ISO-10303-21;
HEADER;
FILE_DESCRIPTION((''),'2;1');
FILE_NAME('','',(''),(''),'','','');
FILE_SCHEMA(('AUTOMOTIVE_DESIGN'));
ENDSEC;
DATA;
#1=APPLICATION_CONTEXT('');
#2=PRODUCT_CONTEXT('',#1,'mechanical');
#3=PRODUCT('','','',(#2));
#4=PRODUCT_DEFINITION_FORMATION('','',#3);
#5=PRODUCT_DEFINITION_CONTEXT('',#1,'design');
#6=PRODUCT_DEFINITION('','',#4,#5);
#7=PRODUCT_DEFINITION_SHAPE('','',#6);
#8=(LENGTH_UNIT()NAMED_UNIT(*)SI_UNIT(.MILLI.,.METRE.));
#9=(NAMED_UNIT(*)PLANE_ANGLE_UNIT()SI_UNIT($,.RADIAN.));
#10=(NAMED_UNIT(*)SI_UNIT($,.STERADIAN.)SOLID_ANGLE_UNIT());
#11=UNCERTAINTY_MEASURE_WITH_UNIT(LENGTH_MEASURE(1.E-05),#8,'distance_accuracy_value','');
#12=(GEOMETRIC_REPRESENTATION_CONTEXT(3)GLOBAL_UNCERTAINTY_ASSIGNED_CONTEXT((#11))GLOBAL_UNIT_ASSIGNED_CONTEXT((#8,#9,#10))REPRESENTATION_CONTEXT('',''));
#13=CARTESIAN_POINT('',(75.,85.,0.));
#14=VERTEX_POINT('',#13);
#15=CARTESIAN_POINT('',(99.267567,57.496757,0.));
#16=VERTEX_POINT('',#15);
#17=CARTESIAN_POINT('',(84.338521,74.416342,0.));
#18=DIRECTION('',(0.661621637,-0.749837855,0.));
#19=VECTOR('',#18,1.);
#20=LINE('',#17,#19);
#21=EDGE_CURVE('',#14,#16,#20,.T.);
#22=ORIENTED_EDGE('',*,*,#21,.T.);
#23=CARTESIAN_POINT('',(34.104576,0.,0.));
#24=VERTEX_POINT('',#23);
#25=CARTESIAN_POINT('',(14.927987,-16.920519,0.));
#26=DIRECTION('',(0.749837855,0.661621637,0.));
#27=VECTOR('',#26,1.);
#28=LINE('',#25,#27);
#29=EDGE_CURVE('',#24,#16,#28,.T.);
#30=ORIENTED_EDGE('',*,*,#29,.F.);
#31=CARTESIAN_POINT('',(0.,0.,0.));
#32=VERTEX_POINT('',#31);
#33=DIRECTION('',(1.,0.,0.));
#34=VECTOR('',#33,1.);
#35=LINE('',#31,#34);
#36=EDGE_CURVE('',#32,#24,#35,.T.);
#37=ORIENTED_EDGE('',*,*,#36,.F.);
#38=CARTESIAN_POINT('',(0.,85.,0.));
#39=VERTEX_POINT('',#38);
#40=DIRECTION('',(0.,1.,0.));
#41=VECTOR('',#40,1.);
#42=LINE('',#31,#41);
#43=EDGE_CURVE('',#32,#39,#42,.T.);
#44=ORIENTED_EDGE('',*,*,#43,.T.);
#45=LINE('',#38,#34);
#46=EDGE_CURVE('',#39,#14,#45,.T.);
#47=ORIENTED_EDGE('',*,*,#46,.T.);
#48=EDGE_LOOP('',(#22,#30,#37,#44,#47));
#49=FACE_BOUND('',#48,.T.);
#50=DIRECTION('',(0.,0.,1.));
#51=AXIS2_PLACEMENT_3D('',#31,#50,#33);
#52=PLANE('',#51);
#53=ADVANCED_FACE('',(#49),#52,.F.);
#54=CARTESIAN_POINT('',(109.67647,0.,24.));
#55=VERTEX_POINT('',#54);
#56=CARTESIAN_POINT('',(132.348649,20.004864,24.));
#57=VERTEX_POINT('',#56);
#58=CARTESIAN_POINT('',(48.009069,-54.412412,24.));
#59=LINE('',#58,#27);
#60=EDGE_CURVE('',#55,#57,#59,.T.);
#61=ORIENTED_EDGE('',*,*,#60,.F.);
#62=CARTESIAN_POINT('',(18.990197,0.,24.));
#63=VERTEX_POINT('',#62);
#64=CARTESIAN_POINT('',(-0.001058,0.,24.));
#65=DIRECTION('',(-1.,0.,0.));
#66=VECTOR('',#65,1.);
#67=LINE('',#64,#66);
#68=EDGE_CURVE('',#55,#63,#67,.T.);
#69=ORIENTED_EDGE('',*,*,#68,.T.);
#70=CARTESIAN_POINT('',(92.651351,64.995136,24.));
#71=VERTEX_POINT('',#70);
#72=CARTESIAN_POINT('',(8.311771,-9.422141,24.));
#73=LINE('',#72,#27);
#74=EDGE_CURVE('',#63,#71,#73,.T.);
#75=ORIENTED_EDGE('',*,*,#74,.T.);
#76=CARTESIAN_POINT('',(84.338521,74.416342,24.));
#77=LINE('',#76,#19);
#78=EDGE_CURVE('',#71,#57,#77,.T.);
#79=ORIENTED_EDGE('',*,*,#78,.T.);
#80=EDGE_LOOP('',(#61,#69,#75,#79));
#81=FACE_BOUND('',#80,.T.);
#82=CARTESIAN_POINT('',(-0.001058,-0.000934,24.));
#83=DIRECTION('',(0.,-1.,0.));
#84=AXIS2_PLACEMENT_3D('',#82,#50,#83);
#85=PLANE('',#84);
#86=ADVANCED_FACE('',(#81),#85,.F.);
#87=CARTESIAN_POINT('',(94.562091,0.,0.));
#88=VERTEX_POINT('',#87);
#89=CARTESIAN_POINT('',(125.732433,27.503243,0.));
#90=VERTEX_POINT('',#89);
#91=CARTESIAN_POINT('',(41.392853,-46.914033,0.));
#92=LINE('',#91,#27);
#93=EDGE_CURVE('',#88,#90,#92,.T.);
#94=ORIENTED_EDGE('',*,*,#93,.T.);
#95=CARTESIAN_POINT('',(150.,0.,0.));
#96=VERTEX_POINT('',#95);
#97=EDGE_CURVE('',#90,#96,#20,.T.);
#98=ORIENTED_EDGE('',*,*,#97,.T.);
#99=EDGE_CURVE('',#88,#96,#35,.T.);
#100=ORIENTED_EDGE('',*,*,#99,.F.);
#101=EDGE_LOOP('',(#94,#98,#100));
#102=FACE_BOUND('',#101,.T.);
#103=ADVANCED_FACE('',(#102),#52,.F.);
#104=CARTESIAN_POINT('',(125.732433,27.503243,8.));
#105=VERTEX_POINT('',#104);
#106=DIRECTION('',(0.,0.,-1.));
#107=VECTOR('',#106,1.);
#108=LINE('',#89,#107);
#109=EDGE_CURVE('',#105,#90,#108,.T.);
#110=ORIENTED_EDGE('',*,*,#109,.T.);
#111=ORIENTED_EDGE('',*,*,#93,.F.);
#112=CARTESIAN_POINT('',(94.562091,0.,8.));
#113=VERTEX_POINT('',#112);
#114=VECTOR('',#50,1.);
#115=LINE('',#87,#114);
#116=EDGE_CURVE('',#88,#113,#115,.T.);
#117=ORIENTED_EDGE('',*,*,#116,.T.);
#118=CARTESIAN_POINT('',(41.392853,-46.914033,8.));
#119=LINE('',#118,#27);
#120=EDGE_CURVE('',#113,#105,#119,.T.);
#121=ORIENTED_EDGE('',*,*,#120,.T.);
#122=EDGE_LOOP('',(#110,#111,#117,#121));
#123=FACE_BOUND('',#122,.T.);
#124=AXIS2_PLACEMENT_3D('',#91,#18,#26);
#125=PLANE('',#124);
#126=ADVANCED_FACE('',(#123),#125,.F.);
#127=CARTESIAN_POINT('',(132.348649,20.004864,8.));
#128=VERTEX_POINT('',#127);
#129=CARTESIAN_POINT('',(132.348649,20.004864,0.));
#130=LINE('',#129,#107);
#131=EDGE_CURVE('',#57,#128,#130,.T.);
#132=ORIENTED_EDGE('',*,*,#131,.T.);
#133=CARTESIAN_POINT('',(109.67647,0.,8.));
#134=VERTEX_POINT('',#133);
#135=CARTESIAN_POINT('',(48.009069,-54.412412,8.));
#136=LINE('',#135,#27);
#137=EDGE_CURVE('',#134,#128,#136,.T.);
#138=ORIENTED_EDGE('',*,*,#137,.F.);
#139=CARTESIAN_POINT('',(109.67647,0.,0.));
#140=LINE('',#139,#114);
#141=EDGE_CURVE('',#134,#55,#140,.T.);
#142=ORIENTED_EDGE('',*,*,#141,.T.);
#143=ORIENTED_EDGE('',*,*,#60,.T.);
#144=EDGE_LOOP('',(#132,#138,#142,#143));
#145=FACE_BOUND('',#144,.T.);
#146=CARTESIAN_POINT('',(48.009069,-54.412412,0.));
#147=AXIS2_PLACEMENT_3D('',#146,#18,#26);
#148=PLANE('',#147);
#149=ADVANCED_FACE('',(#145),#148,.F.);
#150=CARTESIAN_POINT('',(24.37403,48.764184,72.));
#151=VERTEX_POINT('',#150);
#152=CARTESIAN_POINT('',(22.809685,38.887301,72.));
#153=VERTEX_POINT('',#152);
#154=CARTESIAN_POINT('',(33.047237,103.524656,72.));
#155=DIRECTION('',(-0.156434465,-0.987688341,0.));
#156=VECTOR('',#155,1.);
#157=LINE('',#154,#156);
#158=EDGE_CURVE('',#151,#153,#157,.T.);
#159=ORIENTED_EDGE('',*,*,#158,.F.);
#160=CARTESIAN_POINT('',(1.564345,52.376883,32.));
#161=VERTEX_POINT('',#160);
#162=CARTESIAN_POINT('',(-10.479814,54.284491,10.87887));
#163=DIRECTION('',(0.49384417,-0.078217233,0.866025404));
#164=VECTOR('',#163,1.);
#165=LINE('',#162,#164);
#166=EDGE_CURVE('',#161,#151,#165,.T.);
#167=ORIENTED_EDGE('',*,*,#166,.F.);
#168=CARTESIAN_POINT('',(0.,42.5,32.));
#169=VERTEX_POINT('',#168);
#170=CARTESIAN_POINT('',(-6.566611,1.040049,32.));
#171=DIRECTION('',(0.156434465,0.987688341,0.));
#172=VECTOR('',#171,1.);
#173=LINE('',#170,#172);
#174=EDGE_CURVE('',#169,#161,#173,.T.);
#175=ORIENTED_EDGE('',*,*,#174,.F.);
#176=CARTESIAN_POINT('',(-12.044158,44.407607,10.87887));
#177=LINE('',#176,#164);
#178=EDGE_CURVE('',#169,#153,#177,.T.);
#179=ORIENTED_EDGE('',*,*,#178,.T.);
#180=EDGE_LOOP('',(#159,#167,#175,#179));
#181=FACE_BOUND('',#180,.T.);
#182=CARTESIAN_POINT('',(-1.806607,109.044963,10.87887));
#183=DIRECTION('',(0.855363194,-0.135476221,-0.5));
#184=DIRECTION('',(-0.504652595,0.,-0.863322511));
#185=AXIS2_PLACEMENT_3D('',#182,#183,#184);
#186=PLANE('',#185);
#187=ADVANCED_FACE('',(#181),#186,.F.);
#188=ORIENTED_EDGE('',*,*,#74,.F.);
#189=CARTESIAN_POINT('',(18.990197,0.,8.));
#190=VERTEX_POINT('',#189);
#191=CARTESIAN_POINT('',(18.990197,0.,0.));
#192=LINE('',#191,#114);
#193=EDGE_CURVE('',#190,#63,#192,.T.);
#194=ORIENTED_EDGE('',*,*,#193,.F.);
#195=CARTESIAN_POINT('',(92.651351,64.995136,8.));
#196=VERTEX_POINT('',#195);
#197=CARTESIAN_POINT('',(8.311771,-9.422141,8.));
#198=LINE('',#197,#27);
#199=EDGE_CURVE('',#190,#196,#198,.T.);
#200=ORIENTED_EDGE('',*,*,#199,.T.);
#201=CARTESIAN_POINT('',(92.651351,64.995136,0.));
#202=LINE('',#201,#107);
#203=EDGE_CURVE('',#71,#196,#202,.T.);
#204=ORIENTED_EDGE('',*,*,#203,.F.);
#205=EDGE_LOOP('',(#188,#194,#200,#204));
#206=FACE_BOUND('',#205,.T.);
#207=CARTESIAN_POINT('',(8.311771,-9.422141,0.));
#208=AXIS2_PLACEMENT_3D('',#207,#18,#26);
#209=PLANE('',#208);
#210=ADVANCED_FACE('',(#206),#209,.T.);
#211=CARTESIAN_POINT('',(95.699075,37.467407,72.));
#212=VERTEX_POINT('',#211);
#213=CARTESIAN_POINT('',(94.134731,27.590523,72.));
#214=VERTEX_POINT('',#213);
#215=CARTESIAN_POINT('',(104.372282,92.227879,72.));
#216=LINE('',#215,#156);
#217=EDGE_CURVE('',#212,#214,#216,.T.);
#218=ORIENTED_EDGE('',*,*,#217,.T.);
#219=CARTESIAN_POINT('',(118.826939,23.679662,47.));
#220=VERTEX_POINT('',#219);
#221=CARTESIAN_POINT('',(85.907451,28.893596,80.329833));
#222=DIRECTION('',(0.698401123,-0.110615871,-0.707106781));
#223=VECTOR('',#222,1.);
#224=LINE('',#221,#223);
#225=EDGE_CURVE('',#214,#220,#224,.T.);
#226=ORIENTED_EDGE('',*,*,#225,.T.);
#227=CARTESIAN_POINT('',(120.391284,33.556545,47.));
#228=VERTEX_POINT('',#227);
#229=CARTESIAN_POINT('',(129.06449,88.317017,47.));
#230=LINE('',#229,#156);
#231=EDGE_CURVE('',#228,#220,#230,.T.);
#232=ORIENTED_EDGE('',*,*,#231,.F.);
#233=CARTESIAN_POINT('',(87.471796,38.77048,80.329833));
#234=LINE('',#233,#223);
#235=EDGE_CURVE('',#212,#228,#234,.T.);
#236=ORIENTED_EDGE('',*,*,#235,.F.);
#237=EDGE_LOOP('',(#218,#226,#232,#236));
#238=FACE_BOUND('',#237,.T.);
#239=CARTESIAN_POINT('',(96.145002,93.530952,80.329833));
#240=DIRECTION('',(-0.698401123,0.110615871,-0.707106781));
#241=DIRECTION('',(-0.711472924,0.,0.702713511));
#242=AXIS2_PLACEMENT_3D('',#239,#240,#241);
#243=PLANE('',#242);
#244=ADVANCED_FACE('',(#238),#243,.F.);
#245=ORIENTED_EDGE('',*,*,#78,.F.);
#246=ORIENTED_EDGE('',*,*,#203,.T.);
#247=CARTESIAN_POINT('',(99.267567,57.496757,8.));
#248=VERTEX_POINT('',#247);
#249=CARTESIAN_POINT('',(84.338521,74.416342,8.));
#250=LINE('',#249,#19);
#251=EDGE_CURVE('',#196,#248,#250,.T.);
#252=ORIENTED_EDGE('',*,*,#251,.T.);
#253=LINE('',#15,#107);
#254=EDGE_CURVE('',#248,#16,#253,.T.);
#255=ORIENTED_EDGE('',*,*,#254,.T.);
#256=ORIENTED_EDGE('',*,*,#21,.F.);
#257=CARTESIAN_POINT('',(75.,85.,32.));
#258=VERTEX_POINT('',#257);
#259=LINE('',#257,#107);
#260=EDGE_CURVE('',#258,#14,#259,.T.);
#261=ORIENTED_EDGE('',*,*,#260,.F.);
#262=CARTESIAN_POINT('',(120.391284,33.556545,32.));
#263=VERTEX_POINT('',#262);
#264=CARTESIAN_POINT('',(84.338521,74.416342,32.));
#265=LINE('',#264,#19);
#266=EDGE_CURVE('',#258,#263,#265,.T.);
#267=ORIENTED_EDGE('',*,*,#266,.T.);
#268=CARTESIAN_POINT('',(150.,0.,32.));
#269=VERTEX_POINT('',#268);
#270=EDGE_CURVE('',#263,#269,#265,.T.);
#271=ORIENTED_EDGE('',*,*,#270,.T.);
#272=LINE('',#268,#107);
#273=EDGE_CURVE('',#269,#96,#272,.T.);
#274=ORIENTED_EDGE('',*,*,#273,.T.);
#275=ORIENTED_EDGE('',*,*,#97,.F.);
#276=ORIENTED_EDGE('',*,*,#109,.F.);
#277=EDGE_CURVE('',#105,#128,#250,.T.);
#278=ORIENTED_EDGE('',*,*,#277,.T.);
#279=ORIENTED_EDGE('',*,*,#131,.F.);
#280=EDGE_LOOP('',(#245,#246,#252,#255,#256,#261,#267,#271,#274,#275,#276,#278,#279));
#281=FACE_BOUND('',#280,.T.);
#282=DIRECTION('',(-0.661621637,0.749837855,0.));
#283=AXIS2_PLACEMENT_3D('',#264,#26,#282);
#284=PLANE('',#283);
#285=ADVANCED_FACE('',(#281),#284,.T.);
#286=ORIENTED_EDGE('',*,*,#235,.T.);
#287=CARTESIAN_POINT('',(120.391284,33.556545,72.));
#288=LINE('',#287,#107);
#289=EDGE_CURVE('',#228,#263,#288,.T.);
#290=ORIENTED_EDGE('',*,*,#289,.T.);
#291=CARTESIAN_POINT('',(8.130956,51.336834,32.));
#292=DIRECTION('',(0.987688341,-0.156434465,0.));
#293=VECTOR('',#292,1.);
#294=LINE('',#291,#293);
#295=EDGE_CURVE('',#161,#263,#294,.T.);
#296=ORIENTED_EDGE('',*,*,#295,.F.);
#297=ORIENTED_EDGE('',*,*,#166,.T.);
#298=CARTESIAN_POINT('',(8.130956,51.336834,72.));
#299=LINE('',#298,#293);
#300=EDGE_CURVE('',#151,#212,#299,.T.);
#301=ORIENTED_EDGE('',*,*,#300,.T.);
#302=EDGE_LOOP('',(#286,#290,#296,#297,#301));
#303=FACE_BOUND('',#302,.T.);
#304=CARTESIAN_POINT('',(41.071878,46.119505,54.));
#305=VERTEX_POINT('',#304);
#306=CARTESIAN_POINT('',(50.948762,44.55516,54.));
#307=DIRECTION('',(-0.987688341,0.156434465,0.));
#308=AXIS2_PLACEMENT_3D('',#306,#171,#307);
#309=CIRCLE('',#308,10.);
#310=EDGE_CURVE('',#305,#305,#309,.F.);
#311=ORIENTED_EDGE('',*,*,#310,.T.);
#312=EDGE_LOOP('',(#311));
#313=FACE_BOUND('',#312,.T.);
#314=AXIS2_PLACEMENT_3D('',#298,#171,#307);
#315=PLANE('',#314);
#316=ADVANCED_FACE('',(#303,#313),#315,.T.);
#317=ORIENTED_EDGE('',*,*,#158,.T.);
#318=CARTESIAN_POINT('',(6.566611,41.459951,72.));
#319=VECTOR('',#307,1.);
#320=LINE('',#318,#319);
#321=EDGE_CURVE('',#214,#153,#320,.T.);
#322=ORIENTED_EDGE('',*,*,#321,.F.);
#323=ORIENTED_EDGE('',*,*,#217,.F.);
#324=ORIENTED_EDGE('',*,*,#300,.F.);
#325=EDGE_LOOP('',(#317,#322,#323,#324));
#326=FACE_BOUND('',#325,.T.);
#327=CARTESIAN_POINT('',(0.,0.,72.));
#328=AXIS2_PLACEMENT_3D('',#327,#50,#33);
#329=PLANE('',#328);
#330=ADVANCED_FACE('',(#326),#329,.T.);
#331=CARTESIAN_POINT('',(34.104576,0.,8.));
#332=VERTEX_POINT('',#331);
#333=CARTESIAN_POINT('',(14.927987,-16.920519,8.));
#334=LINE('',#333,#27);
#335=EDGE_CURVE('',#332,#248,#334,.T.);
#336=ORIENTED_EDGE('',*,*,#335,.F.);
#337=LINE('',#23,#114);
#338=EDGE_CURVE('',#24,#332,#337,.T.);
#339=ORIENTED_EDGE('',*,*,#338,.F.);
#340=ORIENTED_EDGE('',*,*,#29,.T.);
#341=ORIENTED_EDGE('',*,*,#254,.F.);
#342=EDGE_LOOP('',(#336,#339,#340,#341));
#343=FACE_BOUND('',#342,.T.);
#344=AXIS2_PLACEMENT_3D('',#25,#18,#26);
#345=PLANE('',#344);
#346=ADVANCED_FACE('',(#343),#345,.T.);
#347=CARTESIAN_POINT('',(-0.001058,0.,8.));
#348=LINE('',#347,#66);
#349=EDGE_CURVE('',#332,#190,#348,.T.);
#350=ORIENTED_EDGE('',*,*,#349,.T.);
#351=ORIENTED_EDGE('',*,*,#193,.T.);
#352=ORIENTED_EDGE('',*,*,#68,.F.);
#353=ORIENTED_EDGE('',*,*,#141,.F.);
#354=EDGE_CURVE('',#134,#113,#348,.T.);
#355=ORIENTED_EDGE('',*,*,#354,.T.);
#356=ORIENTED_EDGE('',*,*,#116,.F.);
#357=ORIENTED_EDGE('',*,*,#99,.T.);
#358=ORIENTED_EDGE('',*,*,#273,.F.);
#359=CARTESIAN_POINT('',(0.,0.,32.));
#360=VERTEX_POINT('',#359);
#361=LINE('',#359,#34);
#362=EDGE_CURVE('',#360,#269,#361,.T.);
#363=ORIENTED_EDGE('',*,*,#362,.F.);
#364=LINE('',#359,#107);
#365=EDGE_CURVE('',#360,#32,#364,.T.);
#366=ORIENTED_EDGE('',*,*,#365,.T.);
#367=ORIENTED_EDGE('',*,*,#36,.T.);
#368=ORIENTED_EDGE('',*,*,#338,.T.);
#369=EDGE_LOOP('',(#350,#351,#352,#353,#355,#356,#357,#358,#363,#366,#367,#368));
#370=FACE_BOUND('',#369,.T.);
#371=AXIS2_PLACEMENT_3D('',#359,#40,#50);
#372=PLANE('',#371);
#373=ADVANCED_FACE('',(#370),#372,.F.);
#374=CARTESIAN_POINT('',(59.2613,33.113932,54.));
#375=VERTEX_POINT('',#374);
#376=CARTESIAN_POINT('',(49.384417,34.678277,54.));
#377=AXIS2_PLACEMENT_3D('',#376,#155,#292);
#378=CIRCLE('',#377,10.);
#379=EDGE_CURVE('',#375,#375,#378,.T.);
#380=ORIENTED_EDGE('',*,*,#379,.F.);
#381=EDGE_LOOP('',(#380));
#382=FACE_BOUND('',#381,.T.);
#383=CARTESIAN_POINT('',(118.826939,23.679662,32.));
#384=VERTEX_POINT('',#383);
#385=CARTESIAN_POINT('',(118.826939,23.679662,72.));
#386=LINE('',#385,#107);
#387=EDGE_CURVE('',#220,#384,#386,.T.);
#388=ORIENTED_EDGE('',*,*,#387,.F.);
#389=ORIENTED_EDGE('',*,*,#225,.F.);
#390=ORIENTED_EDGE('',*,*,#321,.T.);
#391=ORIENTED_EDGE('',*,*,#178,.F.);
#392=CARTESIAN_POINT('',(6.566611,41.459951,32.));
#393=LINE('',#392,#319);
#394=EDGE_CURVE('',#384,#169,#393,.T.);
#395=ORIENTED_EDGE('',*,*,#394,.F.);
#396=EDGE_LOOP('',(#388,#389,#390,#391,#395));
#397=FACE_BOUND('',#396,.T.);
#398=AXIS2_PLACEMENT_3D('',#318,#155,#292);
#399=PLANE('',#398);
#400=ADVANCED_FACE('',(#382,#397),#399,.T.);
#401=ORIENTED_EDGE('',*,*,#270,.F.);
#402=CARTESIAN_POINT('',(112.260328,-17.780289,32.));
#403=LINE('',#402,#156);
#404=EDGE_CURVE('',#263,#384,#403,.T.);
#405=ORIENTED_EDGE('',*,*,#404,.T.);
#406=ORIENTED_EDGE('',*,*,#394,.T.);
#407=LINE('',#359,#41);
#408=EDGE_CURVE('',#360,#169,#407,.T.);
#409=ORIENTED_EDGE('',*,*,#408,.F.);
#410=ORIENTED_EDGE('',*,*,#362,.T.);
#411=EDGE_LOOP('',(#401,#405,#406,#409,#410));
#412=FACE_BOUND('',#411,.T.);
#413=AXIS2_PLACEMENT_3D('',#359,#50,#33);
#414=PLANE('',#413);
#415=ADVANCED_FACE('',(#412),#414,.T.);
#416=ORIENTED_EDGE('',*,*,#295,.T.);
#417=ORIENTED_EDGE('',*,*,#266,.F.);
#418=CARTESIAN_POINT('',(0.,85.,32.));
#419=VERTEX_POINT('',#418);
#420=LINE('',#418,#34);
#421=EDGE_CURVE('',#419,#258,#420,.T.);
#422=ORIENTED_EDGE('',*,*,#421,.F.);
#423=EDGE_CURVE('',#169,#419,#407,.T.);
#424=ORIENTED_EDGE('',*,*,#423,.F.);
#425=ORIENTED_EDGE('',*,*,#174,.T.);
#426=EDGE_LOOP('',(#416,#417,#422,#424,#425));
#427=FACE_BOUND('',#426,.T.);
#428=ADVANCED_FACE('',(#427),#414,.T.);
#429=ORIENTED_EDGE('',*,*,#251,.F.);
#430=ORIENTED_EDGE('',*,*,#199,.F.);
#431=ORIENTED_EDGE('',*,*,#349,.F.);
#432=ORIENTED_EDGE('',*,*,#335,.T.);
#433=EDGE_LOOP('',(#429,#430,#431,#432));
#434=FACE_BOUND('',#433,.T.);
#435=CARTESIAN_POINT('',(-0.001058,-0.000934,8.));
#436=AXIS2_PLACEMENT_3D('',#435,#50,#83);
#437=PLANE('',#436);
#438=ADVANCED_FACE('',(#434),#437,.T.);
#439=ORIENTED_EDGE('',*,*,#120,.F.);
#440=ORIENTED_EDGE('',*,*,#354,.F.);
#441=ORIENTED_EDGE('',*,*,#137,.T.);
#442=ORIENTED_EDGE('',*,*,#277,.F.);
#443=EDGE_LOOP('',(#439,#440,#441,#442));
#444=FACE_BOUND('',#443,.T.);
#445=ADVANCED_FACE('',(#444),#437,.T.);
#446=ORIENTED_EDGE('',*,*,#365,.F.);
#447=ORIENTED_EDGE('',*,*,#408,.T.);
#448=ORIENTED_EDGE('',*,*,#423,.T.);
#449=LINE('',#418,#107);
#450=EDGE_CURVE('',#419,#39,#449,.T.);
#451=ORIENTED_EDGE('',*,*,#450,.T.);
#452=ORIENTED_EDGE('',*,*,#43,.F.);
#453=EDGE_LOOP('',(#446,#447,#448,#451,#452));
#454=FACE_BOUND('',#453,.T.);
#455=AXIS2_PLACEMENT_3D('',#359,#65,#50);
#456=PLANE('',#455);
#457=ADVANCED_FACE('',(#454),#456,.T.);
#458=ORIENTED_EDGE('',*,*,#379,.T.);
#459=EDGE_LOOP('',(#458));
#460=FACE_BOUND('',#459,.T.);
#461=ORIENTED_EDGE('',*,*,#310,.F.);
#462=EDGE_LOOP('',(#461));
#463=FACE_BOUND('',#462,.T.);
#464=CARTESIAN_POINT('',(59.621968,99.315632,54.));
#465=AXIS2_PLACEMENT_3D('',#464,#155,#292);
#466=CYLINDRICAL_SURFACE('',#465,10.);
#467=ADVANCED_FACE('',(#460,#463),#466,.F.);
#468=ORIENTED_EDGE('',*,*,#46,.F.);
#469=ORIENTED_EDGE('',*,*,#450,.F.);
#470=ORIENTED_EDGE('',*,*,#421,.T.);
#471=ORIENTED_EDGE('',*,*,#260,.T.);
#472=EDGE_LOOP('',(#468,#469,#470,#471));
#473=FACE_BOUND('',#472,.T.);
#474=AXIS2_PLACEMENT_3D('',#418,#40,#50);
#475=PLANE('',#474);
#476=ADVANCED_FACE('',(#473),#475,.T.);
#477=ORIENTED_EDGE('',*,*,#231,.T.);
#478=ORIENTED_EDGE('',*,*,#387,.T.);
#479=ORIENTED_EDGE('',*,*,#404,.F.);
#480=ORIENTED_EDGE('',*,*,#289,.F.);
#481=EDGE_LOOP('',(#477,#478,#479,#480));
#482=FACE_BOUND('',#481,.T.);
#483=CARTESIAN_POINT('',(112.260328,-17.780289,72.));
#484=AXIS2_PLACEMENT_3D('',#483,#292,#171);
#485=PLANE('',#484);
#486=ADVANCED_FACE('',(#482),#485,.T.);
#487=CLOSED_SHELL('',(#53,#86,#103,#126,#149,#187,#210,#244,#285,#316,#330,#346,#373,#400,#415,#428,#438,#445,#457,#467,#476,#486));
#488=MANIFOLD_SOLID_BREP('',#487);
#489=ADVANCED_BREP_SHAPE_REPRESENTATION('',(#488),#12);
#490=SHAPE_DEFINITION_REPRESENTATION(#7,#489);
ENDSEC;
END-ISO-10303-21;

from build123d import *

# Parameters (mm, degrees)
BOSS_EXTRUDE1_DEPTH   = 32
BOSS_EXTRUDE1_2_DEPTH = 32
BOSS_EXTRUDE2_DEPTH   = 72
CUT_EXTRUDE1_REACH    = 135.547
CUT_EXTRUDE2_REACH    = 168.292
SKETCH3_R             = 10


with BuildPart() as part:
    # Sketch1 → Boss-Extrude1 (new body)
    with BuildSketch(Plane.XY):
        Polygon((0, 42.5), (1.56434465, 52.376883406), (120.39128367, 33.556545174), (75, 85), (0, 85), align=None)
    extrude(amount=BOSS_EXTRUDE1_DEPTH)



with BuildPart() as body_2:
    # Sketch1 → Boss-Extrude1 2 (new body)
    with BuildSketch(Plane.XY):
        Polygon((150, 0), (120.39128367, 33.556545174), (118.82693902, 23.679661768), (0, 42.5), (0, 0), align=None)
    extrude(amount=BOSS_EXTRUDE1_2_DEPTH)


with BuildPart() as part_1:
    add(part.part)

    add(body_2.part)  # Boss-Extrude2 merges body 2
    # Sketch1<4> → Boss-Extrude2 (add)
    with BuildSketch(Plane.XY):
        Polygon((0, 42.5), (1.56434465, 52.376883406), (120.39128367, 33.556545174), (118.82693902, 23.679661768), align=None)
    extrude(amount=BOSS_EXTRUDE2_DEPTH)

    # Cut-Extrude1: up to this plane
    cut_extrude1_end = Plane(origin=(0, 0, 32), z_dir=(0, 1, 0))
    # Sketch2 → Cut-Extrude1 (cut, up to the surface)
    with BuildSketch(Plane(origin=(84.338521401, 74.416342412, 0), x_dir=(0, 0, -1), z_dir=(0.7498378553650925, 0.6616216370868464, 0)), mode=Mode.PRIVATE) as cut_extrude1_sk1:
        Polygon((0, -22.564325319), (-8, -22.564325319), (-8, -12.564325319), (-24, -12.564325319), (-24, -72.564325319), (-8, -72.564325319), (-8, -62.564325319), (0, -62.564325319), align=None)
    cut_extrude1_tool1 = split(extrude(cut_extrude1_sk1.sketch, amount=-CUT_EXTRUDE1_REACH, mode=Mode.PRIVATE), bisect_by=cut_extrude1_end, keep=Keep.BOTH, mode=Mode.PRIVATE)
    add(cut_extrude1_tool1.solids().sort_by_distance((112.5, 42.5, 13))[0], mode=Mode.SUBTRACT)

    # Sketch3 → Cut-Extrude2 (cut, up to next)
    with BuildSketch(Plane(origin=(6.56661113, 41.459950971, 0), x_dir=(0.9876883405951378, -0.1564344650402311, 0), z_dir=(-0.1564344650402311, -0.9876883405951378, 0)), mode=Mode.PRIVATE) as cut_extrude2_sk1:
        with Locations((43.351535236, 54)):
            Circle(SKETCH3_R)
    cut_extrude2_tool1 = extrude(cut_extrude2_sk1.sketch, amount=-CUT_EXTRUDE2_REACH, mode=Mode.PRIVATE) & part_1.part
    # Sketch3 → Cut-Extrude2 (cut, up to next)
    with BuildSketch(Plane(origin=(6.56661113, 41.459950971, 0), x_dir=(0.9876883405951378, -0.1564344650402311, 0), z_dir=(-0.1564344650402311, -0.9876883405951378, 0)), mode=Mode.PRIVATE) as cut_extrude2_sk2:
        Polygon((113.659666997, 72), (88.659666997, 72), (113.659666997, 47), align=None)
    cut_extrude2_tool2 = extrude(cut_extrude2_sk2.sketch, amount=-CUT_EXTRUDE2_REACH, mode=Mode.PRIVATE) & part_1.part
    # Sketch3 → Cut-Extrude2 (cut, up to next)
    with BuildSketch(Plane(origin=(6.56661113, 41.459950971, 0), x_dir=(0.9876883405951378, -0.1564344650402311, 0), z_dir=(-0.1564344650402311, -0.9876883405951378, 0)), mode=Mode.PRIVATE) as cut_extrude2_sk3:
        Polygon((-6.648464764, 72), (-6.648464764, 32), (16.445546003, 72), align=None)
    cut_extrude2_tool3 = extrude(cut_extrude2_sk3.sketch, amount=-CUT_EXTRUDE2_REACH, mode=Mode.PRIVATE) & part_1.part
    add(cut_extrude2_tool1.solids().sort_by_distance((49.384417, 34.678277, 54))[0], mode=Mode.SUBTRACT)
    add(cut_extrude2_tool2.solids().sort_by_distance((110.596203, 24.983282, 63.666667))[0], mode=Mode.SUBTRACT)
    add(cut_extrude2_tool3.solids().sort_by_distance((7.603228, 41.295767, 58.666667))[0], mode=Mode.SUBTRACT)


solid = part_1.part
